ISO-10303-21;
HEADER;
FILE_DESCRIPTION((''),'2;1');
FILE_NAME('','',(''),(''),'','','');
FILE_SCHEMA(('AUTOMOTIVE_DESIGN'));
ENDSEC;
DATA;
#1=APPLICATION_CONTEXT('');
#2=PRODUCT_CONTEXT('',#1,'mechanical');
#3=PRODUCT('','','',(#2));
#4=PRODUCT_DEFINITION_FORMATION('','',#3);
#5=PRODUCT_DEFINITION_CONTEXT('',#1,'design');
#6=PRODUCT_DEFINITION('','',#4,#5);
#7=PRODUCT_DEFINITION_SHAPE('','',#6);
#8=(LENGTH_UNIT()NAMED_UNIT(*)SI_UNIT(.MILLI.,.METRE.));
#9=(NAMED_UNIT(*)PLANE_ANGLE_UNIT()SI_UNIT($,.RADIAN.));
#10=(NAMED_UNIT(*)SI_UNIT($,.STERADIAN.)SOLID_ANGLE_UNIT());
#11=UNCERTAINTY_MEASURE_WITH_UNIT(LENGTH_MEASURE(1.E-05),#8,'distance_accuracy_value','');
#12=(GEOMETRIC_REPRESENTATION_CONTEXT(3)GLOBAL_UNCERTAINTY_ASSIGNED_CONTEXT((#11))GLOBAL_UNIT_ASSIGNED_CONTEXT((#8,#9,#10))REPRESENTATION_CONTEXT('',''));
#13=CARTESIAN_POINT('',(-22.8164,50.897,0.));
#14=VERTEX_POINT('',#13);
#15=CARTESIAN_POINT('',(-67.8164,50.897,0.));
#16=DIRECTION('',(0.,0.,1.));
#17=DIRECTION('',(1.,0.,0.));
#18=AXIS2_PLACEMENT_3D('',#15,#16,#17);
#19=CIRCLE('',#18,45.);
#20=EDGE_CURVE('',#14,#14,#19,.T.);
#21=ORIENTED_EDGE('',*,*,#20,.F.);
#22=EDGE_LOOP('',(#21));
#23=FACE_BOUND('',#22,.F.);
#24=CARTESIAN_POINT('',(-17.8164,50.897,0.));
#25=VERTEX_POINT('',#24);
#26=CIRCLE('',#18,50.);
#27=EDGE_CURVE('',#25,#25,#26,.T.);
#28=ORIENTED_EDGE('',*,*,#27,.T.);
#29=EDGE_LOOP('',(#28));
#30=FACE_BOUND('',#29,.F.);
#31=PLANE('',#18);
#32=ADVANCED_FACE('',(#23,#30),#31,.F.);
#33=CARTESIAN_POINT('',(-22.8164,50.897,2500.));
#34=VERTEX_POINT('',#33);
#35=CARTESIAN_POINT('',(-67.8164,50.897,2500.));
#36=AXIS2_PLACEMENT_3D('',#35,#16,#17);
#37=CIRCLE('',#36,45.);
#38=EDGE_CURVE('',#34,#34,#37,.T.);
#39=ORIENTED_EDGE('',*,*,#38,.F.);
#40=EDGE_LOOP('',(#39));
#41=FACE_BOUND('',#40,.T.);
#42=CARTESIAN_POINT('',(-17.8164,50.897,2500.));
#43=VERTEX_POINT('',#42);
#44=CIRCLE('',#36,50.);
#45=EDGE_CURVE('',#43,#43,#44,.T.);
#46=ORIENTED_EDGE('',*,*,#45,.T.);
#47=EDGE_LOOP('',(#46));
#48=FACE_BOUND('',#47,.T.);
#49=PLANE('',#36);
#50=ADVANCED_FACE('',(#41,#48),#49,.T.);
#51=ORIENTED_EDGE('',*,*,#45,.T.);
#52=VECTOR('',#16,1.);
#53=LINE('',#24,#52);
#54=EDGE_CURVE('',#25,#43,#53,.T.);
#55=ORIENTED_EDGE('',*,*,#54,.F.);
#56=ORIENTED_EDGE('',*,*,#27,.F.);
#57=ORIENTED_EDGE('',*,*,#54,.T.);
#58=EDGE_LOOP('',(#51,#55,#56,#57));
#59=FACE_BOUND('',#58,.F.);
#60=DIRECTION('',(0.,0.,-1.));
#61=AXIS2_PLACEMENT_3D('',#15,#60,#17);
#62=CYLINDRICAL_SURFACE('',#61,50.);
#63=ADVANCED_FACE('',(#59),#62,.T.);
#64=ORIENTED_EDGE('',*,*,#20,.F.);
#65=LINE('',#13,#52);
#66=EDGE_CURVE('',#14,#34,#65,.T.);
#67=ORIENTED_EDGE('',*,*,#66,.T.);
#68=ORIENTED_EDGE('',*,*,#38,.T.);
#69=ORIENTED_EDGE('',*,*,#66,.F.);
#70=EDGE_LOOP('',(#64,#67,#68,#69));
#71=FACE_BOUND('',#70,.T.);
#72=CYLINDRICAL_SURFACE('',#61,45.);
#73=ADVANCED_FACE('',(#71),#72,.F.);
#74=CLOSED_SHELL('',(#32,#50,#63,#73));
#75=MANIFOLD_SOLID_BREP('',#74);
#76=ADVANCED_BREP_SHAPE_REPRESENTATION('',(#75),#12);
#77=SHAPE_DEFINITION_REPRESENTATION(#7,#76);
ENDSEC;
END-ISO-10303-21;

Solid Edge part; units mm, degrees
sketch "Sketch1" plane through (0, 0, 0) normal (0, 0, 1) x (1, 0, 0)
  circle A0 centre (-67.8164, 50.897) radius 45
  circle A1 centre (-67.8164, 50.897) radius 50
  dimension "D1" = 90
  dimension "D2" = 100
extrude "Protrusion1" add sketch "Sketch1" along normal blind 2500
